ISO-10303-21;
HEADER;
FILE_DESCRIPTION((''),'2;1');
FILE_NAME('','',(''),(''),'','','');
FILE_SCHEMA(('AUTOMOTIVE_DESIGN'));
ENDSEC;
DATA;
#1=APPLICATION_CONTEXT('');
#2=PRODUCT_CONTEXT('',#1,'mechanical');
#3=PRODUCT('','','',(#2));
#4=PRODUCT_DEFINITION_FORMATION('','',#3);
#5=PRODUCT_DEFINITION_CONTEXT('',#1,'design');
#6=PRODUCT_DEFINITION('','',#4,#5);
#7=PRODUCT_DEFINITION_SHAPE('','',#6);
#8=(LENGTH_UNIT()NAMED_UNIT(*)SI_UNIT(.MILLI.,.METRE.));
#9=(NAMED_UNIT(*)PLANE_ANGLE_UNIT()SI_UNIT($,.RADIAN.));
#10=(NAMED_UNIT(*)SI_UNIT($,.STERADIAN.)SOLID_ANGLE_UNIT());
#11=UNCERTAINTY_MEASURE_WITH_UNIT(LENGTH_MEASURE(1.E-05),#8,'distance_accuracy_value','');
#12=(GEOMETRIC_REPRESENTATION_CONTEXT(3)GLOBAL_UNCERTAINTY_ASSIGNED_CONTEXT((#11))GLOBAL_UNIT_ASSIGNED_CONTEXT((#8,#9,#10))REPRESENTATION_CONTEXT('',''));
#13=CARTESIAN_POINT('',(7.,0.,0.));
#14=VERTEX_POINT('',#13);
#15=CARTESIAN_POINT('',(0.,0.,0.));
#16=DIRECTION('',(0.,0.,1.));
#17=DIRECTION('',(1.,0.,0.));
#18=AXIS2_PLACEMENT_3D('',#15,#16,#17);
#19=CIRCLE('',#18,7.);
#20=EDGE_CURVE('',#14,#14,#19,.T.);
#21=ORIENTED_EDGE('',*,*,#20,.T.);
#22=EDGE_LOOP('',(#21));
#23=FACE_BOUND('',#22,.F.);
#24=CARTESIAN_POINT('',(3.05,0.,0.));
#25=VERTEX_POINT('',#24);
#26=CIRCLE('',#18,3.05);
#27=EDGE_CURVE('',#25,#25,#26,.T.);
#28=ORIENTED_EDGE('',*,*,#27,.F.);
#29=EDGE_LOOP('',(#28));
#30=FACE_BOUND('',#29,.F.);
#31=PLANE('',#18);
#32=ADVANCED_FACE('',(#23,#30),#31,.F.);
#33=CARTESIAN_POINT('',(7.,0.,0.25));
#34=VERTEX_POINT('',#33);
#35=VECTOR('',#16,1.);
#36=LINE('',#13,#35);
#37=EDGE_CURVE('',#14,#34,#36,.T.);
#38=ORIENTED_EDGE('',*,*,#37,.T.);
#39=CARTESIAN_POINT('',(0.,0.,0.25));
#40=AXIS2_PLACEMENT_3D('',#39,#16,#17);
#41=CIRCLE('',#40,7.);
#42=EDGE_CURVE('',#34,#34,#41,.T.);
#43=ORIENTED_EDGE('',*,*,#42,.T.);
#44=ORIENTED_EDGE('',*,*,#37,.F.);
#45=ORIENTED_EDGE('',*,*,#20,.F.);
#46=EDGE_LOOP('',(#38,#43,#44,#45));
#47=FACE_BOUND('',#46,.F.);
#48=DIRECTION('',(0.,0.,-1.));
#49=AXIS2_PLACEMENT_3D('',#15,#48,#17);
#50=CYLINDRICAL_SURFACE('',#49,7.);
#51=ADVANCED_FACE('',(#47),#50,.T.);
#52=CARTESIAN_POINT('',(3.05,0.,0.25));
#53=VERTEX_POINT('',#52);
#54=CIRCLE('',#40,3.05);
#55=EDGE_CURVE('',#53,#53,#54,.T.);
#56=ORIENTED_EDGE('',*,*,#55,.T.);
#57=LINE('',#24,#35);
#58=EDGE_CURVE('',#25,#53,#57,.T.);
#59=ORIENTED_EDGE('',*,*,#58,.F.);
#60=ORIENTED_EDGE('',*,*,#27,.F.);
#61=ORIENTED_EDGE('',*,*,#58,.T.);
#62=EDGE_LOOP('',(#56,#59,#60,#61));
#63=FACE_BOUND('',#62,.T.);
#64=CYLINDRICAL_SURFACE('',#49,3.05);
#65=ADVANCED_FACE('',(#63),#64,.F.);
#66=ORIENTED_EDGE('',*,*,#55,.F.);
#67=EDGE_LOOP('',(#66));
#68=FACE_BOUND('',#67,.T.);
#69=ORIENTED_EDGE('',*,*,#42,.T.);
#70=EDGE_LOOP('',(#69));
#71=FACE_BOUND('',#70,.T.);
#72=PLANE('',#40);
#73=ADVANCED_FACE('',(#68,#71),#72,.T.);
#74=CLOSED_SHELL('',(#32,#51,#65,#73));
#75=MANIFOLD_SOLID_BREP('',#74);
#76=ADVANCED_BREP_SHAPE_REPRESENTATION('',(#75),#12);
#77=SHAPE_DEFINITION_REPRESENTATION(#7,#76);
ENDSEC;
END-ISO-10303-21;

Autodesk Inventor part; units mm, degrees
ref_plane "YZ Plane" through (0, 0, 0) normal (1, 0, 0) x (0, 1, 0)
ref_plane "XZ Plane" through (0, 0, 0) normal (0, 1, 0) x (-1, 0, 0)
ref_plane "XY Plane" through (0, 0, 0) normal (0, 0, 1) x (1, 0, 0)
sketch "スケッチ1" plane through (0, 0, 0) normal (0, 0, 1) x (1, 0, 0)
  circle A0 centre (0, 0) radius 3.05
  circle A1 centre (0, 0) radius 7
  dimension "d0" = 6.1
  dimension "d1" = 14
extrude "押し出し1" add sketch "スケッチ1" along normal blind 0.25
properties part number "ポリスラd6D14t0.25" material "アセタール樹脂、白"
